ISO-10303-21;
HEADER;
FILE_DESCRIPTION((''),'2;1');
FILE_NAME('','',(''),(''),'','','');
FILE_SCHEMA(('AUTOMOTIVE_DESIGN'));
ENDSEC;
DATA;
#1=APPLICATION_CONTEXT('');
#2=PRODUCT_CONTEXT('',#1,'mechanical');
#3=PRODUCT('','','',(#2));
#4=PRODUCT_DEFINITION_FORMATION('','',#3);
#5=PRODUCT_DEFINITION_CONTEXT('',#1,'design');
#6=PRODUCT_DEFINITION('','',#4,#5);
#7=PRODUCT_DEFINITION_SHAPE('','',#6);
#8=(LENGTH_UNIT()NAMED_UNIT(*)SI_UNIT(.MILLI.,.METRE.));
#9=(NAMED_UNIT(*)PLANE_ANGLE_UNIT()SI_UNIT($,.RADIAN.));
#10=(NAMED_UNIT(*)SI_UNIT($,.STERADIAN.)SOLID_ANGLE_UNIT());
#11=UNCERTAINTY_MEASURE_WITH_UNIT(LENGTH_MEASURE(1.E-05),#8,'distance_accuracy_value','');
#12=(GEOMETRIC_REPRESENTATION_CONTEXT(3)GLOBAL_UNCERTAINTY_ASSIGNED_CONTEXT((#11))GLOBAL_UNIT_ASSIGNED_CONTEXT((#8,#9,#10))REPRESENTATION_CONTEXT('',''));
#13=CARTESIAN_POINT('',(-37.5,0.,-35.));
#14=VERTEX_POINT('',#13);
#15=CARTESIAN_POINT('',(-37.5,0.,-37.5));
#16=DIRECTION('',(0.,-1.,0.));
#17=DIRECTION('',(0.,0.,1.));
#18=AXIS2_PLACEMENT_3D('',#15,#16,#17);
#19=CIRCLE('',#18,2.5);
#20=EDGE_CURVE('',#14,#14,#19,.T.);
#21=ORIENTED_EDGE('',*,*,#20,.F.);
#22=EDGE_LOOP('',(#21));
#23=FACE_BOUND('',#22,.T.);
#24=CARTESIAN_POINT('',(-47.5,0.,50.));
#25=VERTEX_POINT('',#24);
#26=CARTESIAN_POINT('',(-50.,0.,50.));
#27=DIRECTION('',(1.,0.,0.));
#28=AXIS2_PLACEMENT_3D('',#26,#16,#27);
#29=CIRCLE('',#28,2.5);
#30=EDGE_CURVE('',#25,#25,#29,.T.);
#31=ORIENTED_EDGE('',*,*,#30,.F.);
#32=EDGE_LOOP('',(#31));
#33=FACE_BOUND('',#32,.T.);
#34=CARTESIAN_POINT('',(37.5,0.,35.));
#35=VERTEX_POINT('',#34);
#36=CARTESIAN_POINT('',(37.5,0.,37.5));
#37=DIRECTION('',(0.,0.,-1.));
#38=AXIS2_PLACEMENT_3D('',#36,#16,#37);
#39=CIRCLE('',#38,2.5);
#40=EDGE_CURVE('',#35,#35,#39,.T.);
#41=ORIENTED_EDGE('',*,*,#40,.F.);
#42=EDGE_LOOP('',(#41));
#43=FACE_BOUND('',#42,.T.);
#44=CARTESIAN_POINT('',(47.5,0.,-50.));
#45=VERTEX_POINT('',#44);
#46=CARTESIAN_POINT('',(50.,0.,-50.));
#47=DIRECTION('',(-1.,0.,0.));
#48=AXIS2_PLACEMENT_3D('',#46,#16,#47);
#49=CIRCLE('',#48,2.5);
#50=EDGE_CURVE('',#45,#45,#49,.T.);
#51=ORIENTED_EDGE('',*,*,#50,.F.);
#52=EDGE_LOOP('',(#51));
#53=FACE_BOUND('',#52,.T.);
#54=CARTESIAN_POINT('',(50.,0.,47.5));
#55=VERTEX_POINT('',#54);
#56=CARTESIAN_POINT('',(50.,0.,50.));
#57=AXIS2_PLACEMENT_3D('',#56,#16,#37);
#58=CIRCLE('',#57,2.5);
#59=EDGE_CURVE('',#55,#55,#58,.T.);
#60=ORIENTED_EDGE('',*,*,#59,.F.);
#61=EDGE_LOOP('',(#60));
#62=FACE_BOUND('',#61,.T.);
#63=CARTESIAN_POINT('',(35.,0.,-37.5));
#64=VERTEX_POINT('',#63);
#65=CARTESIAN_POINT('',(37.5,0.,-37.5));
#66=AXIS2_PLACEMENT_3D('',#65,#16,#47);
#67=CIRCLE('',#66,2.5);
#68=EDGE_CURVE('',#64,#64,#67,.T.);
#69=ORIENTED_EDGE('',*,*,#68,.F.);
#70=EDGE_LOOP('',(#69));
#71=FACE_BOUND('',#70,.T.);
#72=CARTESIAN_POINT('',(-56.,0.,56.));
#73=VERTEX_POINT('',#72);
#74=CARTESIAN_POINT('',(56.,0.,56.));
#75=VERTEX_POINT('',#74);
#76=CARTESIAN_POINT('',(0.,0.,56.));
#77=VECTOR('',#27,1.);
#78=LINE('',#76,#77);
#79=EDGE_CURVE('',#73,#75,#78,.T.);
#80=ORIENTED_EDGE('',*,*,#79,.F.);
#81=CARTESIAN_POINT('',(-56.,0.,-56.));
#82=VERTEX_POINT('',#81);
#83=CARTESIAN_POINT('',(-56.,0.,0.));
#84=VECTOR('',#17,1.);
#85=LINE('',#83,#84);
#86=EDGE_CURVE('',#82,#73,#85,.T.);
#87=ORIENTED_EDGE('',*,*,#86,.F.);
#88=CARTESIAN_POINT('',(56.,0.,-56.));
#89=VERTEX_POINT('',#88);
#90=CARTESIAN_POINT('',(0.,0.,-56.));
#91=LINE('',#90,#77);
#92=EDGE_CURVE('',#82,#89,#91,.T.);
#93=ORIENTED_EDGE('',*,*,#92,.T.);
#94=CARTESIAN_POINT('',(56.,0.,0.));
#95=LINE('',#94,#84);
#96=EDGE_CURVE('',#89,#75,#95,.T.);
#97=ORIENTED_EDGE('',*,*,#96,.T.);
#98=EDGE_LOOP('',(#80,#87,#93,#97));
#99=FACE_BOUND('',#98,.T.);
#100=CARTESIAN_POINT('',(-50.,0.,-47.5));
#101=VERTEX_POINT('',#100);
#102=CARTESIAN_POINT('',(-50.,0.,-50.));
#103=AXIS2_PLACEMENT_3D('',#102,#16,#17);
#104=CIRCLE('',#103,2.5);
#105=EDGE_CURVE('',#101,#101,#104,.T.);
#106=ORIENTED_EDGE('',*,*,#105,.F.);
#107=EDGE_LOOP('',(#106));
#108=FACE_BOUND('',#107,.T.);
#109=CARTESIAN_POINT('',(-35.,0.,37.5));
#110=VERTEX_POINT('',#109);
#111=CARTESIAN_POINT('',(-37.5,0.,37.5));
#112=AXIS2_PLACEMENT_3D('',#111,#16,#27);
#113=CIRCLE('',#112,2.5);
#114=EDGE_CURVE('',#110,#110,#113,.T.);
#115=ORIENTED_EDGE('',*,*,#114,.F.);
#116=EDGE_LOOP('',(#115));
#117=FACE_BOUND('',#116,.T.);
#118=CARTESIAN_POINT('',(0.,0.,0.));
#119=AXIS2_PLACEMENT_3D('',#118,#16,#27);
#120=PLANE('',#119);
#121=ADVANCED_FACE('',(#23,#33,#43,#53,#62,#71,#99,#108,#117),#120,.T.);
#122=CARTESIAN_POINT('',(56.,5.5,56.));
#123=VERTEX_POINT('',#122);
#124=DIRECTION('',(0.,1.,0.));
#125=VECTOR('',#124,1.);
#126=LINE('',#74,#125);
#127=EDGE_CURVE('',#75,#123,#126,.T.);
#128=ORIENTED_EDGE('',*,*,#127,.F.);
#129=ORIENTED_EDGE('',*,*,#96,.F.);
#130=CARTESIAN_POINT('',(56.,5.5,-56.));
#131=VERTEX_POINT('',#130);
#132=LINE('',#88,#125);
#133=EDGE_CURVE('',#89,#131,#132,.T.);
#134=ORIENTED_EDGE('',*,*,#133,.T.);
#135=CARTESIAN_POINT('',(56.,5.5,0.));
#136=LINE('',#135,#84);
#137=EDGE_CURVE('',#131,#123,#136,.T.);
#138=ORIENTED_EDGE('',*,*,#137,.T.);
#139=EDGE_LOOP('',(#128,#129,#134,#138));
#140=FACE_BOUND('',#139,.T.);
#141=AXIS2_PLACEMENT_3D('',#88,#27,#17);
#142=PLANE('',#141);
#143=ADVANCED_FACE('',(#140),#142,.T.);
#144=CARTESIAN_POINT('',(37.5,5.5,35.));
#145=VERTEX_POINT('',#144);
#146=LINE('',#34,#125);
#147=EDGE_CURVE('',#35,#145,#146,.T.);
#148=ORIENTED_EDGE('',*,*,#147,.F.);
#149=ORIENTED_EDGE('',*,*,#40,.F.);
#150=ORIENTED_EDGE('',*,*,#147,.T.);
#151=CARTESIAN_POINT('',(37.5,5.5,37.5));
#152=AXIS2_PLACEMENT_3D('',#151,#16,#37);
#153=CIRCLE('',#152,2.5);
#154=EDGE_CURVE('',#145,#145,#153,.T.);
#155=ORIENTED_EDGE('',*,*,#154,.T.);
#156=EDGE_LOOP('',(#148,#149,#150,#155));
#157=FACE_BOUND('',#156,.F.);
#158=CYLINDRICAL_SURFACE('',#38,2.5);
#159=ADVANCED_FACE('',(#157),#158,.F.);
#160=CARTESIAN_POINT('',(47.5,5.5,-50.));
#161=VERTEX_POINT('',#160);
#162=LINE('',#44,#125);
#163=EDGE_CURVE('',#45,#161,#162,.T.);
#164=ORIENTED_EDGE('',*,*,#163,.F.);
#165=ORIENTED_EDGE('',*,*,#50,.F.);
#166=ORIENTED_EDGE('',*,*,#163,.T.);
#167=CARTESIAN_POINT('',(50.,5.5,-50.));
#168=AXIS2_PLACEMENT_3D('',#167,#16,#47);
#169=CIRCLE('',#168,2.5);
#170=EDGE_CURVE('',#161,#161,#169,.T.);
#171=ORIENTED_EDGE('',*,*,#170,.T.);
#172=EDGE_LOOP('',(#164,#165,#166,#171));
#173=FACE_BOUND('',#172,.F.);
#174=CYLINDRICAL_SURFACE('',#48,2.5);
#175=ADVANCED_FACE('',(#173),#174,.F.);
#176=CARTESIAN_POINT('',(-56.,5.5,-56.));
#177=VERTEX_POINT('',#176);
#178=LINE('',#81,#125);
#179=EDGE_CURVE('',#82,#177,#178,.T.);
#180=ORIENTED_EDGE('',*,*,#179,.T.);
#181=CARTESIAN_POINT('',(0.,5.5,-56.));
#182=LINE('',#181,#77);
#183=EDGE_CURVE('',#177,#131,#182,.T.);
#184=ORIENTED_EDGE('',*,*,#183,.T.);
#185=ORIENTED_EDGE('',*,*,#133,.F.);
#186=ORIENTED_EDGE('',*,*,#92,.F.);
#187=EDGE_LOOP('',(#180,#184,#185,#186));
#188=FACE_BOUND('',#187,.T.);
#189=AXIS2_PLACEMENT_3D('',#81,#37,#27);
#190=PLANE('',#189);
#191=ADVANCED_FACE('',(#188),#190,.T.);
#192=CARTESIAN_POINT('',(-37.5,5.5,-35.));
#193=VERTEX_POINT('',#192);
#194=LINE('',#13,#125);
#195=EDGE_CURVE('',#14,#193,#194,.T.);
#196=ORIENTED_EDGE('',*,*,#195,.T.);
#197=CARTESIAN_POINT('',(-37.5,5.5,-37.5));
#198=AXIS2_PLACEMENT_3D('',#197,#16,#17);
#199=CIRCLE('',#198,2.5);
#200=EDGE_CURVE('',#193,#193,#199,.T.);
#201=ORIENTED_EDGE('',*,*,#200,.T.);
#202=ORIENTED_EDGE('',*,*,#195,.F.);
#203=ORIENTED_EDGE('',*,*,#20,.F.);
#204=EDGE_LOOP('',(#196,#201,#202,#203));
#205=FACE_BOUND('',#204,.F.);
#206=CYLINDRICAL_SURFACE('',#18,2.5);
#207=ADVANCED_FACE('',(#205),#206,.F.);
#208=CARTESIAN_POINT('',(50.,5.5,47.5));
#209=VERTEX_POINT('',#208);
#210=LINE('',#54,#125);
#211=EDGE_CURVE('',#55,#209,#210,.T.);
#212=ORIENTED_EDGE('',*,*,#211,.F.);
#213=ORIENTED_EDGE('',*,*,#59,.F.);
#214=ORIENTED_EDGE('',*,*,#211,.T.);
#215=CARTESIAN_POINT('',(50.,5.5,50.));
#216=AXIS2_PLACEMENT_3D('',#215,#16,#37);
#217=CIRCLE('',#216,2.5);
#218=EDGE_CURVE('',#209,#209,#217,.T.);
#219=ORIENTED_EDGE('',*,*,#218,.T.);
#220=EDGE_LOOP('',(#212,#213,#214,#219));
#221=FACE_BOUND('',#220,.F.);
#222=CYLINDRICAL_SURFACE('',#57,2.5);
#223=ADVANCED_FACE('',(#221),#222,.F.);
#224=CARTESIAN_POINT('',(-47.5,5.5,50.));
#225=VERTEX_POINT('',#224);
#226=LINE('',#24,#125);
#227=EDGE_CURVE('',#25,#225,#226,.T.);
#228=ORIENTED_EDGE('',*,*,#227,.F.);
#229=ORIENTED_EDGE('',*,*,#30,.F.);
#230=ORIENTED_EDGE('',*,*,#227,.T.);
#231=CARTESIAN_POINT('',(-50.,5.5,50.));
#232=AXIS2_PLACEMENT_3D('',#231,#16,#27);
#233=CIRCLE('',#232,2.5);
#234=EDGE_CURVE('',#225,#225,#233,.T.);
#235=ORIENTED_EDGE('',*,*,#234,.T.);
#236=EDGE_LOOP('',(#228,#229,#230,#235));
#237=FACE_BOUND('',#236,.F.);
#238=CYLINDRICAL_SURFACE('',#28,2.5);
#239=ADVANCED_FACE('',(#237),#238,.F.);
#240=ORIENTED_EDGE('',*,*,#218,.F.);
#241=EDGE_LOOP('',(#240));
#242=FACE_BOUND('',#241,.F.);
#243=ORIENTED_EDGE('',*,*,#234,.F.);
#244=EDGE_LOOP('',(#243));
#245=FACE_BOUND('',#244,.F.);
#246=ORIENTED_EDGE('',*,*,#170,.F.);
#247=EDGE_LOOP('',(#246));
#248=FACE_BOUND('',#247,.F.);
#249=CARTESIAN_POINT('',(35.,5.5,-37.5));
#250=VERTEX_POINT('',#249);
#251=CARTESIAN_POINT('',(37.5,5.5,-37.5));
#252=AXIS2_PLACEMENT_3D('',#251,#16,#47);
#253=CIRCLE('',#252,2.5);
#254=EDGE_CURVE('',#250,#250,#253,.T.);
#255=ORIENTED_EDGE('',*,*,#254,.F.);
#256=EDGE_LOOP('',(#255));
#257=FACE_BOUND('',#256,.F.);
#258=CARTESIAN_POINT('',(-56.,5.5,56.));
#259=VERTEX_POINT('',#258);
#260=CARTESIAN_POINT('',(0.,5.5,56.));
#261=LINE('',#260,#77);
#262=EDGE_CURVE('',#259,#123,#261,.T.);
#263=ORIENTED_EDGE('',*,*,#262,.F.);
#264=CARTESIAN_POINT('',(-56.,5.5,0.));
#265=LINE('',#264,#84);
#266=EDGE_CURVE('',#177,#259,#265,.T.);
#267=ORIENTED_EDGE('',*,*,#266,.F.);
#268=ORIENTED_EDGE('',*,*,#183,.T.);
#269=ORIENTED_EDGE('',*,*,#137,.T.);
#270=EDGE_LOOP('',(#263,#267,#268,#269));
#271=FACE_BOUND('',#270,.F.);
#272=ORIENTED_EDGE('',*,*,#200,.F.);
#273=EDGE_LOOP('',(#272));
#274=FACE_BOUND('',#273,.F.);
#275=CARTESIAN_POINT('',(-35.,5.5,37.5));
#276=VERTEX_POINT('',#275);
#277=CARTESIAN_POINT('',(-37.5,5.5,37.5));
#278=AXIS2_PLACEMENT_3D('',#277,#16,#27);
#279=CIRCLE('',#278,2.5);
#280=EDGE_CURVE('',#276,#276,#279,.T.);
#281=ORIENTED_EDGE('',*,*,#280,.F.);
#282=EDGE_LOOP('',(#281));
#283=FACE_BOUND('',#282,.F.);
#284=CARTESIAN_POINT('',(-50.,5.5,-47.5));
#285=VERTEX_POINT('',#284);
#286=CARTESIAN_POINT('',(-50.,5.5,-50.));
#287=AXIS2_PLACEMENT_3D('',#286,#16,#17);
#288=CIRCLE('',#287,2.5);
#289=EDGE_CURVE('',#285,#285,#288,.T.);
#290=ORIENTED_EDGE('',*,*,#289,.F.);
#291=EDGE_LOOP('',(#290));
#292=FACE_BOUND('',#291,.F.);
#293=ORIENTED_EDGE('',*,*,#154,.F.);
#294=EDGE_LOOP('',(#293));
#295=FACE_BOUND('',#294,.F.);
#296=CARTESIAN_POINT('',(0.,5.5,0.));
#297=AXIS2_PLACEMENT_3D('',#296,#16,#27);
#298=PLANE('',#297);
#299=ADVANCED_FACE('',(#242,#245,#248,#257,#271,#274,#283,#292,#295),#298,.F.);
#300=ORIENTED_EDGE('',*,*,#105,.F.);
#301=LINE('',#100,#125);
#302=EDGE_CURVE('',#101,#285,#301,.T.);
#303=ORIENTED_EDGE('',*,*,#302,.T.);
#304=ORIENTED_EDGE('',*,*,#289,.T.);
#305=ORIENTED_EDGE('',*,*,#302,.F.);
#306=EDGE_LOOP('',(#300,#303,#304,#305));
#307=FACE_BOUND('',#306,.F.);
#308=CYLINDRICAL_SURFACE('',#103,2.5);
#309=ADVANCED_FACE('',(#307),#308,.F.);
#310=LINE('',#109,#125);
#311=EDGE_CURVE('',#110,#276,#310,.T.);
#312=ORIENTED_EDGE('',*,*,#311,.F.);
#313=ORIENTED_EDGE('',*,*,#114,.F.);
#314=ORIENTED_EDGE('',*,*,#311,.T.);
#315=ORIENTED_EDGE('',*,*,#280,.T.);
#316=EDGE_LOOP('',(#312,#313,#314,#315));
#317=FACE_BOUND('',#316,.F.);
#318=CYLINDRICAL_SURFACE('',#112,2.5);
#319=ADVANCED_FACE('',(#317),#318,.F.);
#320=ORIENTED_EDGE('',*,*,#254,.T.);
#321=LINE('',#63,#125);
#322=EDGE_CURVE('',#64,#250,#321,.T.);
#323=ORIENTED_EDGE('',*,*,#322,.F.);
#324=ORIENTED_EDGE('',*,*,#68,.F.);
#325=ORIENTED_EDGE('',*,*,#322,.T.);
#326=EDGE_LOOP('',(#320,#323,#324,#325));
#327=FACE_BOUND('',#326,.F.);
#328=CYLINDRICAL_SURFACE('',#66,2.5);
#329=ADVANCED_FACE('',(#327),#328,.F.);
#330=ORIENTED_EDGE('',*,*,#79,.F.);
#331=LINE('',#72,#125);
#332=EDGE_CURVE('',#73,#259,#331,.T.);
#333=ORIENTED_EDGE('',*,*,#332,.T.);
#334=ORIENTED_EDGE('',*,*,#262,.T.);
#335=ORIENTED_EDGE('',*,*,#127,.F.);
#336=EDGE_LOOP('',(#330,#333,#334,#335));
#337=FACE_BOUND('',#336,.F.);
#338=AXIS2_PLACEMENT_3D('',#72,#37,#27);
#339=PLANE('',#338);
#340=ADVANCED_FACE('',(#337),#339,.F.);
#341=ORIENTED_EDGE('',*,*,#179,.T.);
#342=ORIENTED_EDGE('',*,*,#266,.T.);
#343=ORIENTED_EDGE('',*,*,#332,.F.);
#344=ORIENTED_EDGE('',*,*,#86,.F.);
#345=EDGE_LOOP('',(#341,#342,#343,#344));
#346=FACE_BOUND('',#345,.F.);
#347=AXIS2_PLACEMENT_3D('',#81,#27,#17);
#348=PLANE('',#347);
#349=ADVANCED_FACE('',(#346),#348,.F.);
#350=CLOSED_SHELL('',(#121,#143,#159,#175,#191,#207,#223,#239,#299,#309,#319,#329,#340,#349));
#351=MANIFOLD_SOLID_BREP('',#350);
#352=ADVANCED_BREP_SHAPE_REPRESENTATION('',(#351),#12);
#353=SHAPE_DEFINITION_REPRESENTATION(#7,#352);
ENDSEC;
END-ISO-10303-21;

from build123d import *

# Parameters (mm, degrees)
SKETCH002_W        = 112
SKETCH002_H        = 112
PAD001_DEPTH       = 5.5
SKETCH003_R        = 2.5
POCKET_DEPTH       = 322.475762
POLARPATTERN_COUNT = 4


with BuildPart() as part:
    # Sketch002 → Pad001 (new body)
    with BuildSketch(Plane.XZ):
        Rectangle(SKETCH002_W, SKETCH002_H)
    extrude(amount=-PAD001_DEPTH)

    # Sketch003 (on Face5 of Pad001) → Pocket (cut, through all)
    with BuildSketch(Plane.XZ):
        with Locations((-50, 50)):
            Circle(SKETCH003_R)
        with Locations((-37.5, 37.5)):
            Circle(SKETCH003_R)
    pocket = extrude(amount=-POCKET_DEPTH, mode=Mode.SUBTRACT)

    # PolarPattern: Pocket ×4 about axis
    polarpattern_axis = Axis((0, 0, 0), (0, -1, 0))
    for i in range(1, POLARPATTERN_COUNT):
        add(pocket.rotate(polarpattern_axis, i * 360 / POLARPATTERN_COUNT), mode=Mode.SUBTRACT)


solid = part.part
